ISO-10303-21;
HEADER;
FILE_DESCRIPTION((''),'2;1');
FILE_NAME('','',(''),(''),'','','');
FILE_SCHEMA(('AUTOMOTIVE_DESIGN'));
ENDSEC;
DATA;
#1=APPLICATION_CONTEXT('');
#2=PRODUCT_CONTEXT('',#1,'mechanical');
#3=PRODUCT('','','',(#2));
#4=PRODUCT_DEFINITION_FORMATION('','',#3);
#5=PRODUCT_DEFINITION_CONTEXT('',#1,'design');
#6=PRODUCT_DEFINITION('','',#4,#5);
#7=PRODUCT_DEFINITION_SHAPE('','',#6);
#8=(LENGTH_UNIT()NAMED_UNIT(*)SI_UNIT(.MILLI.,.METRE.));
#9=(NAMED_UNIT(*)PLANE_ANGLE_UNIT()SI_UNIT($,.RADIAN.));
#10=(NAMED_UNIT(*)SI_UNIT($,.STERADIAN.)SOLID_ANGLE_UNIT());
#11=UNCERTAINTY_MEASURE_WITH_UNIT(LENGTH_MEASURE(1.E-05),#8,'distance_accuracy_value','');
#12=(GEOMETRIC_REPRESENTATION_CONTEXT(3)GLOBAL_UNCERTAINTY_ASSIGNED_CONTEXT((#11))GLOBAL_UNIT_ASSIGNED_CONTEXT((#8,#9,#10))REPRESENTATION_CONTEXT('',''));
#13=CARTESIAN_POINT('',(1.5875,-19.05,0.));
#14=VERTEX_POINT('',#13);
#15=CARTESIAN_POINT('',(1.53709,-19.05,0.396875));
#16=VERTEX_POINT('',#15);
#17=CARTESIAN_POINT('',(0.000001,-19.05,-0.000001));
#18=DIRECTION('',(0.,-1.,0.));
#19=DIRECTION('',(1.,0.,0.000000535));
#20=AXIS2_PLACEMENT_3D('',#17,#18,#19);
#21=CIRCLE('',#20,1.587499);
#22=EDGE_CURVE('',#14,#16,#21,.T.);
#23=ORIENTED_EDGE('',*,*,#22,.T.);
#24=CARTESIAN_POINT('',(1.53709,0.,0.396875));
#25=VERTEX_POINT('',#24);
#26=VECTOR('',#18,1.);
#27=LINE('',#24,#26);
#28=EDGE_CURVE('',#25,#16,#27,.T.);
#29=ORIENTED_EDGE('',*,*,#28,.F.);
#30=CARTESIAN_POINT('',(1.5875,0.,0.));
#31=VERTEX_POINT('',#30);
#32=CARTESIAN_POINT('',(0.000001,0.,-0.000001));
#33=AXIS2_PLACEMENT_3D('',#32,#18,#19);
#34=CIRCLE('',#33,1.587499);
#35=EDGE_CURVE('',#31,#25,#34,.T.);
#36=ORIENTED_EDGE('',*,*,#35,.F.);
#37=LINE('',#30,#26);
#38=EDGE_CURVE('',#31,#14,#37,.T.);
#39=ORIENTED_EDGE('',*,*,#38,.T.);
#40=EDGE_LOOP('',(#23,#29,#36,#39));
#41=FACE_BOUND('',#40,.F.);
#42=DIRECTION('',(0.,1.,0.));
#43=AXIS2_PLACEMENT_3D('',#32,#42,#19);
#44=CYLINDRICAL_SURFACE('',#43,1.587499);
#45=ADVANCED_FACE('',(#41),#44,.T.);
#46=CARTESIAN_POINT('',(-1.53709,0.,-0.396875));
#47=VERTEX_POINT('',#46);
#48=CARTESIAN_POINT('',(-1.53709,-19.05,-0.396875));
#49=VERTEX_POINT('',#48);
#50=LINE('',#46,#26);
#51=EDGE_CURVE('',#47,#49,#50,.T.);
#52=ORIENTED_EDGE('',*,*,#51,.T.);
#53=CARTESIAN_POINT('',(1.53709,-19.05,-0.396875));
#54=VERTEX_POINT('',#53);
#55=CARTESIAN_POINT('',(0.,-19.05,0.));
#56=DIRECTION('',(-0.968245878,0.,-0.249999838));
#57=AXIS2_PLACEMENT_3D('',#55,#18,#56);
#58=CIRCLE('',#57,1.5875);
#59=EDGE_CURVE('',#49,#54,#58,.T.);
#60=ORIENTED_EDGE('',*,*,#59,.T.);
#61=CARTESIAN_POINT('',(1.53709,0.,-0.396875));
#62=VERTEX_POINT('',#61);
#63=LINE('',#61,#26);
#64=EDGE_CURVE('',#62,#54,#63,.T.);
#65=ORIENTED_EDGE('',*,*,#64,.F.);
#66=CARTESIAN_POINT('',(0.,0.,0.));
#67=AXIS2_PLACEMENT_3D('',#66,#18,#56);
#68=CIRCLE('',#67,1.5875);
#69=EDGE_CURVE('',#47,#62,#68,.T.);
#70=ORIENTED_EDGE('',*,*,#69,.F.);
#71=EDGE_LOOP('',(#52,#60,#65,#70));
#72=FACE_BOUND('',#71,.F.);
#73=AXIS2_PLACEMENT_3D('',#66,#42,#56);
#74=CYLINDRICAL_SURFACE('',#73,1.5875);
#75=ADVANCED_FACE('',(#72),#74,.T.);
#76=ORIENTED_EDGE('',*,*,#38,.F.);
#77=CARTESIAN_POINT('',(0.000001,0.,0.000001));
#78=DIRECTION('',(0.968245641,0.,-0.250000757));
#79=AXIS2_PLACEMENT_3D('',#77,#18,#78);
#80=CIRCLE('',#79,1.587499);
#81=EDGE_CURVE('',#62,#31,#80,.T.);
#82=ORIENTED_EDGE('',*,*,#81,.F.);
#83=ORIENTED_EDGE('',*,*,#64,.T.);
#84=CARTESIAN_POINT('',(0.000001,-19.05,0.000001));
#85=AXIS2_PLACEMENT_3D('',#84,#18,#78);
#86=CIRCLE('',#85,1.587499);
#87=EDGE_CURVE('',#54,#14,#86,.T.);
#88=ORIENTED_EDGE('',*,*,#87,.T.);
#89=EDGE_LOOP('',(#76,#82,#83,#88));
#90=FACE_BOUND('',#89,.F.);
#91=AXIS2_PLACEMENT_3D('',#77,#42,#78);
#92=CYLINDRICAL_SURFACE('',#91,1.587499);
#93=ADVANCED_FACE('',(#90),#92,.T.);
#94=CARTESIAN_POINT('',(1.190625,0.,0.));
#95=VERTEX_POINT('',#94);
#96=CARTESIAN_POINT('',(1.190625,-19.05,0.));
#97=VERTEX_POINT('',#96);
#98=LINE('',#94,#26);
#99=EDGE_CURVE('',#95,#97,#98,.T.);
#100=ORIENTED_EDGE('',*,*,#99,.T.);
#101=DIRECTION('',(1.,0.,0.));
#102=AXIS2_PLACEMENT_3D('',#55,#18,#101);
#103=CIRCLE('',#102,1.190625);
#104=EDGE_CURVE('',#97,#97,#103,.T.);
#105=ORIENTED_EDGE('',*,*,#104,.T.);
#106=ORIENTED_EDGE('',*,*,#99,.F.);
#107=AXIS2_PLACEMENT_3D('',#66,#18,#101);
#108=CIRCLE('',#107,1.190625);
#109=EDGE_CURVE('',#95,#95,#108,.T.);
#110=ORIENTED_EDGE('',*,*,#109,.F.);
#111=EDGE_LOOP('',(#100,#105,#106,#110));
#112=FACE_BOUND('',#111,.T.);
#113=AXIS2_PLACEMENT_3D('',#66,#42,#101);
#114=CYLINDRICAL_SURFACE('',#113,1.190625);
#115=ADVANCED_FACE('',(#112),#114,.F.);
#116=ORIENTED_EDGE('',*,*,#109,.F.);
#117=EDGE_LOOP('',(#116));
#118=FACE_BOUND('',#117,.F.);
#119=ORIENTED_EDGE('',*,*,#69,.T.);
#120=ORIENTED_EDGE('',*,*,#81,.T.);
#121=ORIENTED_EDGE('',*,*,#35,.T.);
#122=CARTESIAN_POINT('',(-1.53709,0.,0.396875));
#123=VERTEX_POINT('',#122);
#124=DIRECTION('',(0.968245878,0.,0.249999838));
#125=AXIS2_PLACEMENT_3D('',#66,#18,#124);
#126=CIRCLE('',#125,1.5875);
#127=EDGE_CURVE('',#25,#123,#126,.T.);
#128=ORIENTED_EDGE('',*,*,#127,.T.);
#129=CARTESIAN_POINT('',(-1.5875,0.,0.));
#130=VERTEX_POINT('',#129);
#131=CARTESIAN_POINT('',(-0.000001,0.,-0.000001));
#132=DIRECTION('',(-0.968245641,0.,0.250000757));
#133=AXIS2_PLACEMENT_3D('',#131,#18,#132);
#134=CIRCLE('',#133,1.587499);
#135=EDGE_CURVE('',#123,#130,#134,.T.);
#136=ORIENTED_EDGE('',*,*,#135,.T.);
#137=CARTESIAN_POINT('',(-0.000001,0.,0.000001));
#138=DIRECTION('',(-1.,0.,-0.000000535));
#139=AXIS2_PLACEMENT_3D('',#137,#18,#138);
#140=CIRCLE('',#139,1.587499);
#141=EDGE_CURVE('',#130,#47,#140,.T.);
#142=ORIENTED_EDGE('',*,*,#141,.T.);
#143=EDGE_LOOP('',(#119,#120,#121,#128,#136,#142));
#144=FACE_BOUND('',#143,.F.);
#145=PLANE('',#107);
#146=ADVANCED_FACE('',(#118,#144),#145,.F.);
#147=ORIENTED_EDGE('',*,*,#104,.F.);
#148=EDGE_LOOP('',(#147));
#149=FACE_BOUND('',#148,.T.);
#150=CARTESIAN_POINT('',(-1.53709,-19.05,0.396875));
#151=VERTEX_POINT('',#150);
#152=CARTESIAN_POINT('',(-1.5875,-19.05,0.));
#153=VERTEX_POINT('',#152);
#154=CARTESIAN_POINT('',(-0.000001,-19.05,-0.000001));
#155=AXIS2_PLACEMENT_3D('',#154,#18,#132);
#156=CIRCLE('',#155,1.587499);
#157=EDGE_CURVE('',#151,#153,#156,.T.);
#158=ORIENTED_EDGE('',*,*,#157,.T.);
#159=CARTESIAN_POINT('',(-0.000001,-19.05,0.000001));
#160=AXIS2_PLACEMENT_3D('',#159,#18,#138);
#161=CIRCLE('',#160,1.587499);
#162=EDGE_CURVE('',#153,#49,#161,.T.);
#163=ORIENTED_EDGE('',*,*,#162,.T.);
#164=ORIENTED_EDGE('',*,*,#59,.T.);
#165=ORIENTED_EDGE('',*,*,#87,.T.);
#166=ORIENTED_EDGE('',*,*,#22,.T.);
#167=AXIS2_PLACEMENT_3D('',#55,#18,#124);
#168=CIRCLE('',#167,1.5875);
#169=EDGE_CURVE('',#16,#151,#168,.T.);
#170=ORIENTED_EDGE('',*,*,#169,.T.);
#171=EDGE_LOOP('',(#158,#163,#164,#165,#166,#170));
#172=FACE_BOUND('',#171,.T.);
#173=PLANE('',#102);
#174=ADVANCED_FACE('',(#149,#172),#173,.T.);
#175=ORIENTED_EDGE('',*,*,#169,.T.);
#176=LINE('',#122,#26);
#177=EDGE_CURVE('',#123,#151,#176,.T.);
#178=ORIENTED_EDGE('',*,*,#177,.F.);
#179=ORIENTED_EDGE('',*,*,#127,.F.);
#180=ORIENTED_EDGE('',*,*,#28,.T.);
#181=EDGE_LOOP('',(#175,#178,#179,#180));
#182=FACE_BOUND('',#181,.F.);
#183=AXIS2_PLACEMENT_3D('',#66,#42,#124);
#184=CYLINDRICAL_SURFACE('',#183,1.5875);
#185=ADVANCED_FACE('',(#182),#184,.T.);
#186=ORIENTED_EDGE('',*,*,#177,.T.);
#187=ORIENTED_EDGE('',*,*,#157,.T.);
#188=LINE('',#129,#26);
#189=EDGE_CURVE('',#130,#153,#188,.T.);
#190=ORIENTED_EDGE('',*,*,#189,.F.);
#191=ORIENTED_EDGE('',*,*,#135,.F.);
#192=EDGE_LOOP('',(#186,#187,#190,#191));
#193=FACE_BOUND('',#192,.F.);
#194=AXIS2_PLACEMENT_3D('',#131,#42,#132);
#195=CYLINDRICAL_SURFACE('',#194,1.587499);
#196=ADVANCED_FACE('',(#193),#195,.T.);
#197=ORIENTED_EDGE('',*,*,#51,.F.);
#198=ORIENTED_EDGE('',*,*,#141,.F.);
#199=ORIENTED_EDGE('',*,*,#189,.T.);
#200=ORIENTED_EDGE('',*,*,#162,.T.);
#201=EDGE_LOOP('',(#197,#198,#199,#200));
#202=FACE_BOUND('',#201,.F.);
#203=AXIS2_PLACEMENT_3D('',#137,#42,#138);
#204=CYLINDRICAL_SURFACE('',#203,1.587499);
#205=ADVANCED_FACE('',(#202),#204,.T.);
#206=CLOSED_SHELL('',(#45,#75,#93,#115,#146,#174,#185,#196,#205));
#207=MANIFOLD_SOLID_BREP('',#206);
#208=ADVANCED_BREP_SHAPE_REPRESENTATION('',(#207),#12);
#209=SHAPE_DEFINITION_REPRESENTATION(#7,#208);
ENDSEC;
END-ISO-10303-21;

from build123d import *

# Parameters (mm, degrees)
F0_R     = 1.190625
F1_DEPTH = 19.05


with BuildPart() as f1:
    # F0 (on Front) → F1 (new body)
    with BuildSketch(Plane.XZ):
        with BuildLine():
            ThreePointArc((1.5875, 0), (1.574847, 0.200032), (1.53709, 0.396875))
            ThreePointArc((1.53709, 0.396875), (0, 1.5875), (-1.53709, 0.396875))
            ThreePointArc((-1.53709, 0.396875), (-1.574847, 0.200032), (-1.5875, 0))
            ThreePointArc((-1.5875, 0), (-1.574847, -0.200032), (-1.53709, -0.396875))
            ThreePointArc((-1.53709, -0.396875), (0, -1.5875), (1.53709, -0.396875))
            ThreePointArc((1.53709, -0.396875), (1.574847, -0.200032), (1.5875, 0))
        make_face()
        Circle(F0_R, mode=Mode.SUBTRACT)
    extrude(amount=F1_DEPTH)


solid = f1.part
